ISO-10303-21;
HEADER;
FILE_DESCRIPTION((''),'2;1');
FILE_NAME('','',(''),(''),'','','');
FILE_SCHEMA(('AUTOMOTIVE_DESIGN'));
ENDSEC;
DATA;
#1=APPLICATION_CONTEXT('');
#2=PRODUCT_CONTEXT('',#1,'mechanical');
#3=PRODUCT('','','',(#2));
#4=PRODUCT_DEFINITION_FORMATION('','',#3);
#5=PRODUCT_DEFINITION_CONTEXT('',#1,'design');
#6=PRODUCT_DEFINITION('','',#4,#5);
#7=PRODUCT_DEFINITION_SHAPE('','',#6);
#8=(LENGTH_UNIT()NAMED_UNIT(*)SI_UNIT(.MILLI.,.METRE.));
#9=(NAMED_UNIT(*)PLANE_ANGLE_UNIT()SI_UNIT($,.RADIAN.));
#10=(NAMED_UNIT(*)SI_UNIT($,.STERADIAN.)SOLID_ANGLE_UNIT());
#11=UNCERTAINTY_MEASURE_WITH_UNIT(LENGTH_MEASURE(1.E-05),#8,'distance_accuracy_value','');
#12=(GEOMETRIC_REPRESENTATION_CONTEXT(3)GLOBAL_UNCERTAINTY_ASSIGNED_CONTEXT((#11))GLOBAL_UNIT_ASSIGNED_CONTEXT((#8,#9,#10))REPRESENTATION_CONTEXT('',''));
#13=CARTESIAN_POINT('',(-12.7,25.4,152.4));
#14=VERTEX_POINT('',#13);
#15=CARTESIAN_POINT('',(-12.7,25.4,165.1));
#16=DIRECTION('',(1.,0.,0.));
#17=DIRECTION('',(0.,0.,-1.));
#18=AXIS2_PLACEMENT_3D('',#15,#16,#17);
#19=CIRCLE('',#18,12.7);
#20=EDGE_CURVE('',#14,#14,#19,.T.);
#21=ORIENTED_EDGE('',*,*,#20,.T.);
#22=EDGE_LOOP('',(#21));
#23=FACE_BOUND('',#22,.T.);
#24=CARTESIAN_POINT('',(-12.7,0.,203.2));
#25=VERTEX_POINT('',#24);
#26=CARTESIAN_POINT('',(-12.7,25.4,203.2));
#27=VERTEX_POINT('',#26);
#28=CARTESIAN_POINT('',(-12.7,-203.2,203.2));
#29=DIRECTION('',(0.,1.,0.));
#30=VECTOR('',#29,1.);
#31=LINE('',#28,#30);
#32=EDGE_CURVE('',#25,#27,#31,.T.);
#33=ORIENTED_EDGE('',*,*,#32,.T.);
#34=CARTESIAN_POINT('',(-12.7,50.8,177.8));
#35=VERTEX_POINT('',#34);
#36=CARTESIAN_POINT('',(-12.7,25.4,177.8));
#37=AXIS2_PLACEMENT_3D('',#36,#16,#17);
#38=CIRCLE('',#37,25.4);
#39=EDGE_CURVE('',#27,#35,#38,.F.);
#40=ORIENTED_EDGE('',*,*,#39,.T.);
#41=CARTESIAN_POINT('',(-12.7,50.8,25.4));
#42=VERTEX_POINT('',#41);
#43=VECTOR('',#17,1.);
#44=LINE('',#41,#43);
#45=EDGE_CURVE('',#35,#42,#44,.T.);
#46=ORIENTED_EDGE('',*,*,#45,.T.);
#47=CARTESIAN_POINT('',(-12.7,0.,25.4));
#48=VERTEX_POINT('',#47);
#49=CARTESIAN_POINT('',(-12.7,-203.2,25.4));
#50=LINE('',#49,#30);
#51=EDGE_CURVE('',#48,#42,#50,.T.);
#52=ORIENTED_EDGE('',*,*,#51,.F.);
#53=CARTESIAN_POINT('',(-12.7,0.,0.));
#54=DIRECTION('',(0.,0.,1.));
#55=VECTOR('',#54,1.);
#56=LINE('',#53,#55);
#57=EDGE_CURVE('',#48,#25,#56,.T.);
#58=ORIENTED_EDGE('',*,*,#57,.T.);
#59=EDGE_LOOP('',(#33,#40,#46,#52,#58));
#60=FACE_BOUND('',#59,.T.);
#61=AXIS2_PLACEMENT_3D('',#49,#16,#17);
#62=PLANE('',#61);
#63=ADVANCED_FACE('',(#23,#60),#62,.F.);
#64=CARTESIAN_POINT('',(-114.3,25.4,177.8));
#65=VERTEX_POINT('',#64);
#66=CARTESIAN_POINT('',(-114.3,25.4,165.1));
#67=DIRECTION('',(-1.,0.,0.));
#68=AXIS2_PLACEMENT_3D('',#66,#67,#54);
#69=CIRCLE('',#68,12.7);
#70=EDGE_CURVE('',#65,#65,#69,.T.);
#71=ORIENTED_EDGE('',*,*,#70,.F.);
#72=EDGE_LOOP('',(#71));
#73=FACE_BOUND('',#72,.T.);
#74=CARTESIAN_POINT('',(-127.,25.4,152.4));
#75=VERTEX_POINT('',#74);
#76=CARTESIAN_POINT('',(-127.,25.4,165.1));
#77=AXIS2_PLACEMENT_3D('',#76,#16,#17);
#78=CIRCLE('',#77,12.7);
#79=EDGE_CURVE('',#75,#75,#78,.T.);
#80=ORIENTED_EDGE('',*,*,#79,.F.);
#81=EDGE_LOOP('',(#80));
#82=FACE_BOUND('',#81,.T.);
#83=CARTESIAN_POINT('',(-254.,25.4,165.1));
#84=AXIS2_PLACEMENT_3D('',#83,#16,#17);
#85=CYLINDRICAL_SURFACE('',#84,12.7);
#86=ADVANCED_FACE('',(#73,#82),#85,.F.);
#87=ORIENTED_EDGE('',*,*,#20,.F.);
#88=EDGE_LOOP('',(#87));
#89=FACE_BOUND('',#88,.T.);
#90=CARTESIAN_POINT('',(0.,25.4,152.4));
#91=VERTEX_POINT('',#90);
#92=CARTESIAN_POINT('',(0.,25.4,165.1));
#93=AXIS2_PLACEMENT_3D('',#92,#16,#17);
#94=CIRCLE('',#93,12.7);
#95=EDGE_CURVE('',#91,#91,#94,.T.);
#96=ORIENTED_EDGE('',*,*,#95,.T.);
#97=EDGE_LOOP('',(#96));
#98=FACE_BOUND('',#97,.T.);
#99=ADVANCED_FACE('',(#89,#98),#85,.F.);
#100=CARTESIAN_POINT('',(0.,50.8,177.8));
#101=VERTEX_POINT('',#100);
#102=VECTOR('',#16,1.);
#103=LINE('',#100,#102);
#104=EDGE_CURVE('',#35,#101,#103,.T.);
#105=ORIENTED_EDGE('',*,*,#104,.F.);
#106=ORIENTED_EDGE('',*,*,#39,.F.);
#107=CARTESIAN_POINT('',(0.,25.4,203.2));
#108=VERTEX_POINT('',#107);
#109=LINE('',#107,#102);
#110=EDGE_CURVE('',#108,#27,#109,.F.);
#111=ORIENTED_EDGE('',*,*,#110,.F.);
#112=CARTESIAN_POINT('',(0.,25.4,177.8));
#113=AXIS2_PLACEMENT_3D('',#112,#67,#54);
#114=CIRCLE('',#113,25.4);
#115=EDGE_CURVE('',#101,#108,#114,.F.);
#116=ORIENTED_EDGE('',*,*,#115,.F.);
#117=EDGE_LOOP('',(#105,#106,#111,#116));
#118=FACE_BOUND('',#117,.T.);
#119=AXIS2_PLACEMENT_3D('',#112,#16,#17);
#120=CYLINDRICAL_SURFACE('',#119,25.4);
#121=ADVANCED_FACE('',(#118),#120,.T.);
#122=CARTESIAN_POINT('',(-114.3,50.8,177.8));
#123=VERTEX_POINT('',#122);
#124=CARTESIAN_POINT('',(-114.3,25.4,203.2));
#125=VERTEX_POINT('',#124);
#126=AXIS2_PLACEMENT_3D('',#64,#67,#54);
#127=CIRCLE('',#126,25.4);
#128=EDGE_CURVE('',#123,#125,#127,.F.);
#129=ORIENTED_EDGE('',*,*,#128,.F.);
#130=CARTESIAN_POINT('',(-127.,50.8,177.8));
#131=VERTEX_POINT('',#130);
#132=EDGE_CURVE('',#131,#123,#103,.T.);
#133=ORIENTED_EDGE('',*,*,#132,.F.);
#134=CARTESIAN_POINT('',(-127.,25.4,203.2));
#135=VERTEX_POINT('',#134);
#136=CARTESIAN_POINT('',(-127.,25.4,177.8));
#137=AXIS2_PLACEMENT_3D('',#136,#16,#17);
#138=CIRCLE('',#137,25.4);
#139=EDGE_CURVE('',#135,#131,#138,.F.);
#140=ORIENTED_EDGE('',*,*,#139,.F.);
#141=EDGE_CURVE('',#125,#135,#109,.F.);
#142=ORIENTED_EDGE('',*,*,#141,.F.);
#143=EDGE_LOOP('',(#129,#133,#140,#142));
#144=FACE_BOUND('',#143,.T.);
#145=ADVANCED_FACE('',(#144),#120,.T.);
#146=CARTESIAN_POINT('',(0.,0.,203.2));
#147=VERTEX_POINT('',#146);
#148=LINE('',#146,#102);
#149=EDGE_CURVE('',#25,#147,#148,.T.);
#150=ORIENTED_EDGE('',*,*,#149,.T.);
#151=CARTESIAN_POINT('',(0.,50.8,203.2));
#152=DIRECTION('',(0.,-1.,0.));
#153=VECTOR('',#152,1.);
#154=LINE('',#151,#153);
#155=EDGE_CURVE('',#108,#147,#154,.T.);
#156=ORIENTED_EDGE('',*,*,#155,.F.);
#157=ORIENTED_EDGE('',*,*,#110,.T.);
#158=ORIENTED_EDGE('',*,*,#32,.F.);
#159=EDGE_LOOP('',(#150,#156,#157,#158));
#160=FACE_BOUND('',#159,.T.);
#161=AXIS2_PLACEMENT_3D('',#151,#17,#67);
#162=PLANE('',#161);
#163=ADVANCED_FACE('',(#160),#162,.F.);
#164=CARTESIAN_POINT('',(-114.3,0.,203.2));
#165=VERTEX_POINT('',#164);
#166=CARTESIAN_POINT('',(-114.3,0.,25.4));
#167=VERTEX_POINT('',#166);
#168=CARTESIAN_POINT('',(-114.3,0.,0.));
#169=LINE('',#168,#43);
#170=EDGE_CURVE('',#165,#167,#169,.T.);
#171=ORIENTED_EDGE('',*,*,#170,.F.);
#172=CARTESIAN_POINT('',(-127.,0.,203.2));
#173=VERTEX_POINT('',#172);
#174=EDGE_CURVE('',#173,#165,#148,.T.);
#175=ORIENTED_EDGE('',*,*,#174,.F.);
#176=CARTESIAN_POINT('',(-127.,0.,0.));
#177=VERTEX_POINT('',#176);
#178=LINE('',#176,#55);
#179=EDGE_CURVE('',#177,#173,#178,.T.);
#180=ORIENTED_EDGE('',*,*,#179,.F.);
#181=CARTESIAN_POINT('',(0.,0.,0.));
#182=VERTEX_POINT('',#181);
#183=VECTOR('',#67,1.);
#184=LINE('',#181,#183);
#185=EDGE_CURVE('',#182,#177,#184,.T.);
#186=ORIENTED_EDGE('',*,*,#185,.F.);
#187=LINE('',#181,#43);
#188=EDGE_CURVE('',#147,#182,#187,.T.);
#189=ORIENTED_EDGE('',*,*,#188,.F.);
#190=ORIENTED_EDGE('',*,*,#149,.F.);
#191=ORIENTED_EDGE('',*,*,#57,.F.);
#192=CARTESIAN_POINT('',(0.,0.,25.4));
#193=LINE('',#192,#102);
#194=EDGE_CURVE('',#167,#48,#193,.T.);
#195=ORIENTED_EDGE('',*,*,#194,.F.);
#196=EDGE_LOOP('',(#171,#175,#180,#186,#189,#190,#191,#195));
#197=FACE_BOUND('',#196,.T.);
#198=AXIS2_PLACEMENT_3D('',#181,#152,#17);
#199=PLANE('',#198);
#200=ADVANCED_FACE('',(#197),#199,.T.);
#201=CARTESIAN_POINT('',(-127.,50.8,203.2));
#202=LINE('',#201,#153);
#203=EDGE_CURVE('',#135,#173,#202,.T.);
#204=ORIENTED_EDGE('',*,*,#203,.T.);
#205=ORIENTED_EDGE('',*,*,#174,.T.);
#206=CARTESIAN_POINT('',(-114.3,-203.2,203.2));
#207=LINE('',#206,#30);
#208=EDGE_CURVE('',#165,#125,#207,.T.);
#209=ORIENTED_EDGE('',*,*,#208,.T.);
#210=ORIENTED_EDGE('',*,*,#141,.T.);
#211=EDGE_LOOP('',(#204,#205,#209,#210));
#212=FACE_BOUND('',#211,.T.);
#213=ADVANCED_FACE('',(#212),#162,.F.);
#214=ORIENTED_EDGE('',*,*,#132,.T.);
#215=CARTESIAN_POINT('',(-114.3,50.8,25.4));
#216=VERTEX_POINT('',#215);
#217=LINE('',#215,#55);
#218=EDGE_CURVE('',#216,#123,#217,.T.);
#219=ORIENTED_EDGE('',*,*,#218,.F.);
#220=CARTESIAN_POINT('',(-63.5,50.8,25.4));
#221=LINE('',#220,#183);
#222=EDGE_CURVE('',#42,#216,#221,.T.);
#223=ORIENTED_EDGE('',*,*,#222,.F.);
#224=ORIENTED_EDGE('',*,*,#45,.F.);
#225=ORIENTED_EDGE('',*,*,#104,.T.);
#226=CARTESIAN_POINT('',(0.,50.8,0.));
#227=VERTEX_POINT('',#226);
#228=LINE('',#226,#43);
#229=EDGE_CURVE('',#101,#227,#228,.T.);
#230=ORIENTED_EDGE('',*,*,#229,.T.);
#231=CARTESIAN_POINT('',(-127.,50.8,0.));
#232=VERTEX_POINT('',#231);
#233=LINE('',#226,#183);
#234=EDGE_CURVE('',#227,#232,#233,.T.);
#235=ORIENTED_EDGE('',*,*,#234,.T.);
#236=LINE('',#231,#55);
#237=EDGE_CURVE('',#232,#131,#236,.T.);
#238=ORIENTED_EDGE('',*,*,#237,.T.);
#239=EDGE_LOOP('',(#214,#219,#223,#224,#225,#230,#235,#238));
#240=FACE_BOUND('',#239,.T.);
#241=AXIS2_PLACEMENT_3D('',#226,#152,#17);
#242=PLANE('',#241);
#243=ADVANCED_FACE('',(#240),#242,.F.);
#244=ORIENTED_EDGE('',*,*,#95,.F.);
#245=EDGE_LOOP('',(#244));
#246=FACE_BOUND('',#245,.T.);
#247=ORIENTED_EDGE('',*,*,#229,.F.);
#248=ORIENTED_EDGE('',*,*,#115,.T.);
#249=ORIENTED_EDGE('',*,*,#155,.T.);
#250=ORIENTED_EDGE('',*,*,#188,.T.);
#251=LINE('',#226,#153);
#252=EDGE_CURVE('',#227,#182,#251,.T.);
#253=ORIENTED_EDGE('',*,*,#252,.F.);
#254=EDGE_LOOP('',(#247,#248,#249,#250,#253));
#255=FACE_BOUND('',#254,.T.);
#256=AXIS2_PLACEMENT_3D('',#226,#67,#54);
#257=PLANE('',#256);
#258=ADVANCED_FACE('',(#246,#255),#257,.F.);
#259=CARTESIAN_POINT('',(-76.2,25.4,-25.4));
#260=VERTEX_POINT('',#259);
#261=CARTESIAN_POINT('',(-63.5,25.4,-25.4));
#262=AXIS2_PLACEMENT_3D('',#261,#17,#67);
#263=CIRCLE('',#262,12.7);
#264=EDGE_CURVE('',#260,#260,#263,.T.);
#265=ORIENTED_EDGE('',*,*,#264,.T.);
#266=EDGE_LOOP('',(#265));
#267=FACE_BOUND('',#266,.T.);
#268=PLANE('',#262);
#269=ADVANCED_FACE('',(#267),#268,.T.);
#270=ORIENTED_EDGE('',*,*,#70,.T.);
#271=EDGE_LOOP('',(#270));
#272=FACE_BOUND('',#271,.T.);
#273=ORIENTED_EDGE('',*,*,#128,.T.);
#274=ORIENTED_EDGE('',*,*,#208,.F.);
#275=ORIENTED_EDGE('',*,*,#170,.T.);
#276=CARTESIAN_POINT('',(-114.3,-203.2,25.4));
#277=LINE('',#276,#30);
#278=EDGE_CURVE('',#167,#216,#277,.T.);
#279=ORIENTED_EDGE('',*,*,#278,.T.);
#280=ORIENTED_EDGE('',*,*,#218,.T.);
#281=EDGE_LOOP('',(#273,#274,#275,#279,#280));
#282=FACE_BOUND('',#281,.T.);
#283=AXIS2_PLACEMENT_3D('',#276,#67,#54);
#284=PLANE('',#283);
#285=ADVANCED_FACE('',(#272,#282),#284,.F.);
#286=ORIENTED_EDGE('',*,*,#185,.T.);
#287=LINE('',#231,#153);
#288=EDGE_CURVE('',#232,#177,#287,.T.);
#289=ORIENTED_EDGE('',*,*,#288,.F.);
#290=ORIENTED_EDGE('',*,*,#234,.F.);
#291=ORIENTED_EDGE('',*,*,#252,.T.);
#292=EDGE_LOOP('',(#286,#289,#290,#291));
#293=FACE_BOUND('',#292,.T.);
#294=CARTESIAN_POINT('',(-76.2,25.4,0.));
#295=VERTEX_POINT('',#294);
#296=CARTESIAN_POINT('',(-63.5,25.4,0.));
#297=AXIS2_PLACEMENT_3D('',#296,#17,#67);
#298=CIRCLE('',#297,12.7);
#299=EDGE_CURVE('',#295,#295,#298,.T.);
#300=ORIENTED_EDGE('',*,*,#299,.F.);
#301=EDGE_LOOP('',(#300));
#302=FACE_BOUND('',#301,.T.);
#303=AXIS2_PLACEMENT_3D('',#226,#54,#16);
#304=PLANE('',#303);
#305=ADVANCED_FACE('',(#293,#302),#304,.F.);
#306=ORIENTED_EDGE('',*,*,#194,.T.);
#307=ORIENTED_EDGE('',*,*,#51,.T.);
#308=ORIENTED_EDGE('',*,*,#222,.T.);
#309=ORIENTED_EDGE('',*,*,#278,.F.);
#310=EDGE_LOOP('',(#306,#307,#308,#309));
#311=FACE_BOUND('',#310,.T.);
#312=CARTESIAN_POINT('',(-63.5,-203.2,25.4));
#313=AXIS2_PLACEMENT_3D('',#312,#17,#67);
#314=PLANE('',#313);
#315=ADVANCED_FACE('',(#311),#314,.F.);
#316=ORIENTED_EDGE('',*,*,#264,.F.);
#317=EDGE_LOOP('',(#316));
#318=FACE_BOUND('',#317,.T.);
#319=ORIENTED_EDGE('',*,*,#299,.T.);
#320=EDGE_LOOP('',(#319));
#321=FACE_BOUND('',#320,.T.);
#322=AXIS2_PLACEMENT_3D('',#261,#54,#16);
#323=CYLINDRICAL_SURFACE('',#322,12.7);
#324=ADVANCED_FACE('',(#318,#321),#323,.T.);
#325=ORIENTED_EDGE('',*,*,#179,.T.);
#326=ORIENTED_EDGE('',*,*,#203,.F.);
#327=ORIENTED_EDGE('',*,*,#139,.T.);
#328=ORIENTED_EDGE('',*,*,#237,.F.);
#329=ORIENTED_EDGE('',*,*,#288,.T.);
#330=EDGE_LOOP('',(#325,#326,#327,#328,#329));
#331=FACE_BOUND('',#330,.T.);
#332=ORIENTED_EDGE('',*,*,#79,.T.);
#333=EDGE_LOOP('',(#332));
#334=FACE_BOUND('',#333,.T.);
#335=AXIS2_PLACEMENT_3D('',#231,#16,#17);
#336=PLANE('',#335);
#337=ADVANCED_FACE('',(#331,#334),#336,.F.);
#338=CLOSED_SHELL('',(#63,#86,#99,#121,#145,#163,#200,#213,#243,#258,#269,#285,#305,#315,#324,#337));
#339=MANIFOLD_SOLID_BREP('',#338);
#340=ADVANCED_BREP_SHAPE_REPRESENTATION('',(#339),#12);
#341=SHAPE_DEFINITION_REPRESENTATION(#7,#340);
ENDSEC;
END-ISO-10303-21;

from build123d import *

# Parameters (mm, degrees)
SKETCH1_W           = 127
SKETCH1_H           = 203.2
BOSS_EXTRUDE1_DEPTH = 50.8
CUT_EXTRUDE1_DEPTH  = 254
SKETCH4_R           = 12.7
CUT_EXTRUDE2_DEPTH  = 254
SKETCH5_R           = 12.7
BOSS_EXTRUDE2_DEPTH = 25.4
FILLET1_R           = 25.4
FILLET2_R           = 25.4


with BuildPart() as part:
    # Sketch1 → Boss-Extrude1 (new body)
    with BuildSketch(Plane(origin=(0, 0, 0), x_dir=(1, 0, 0), z_dir=(0, 1, 0))):
        with Locations((-63.5, -101.6)):
            Rectangle(SKETCH1_W, SKETCH1_H)
    extrude(amount=BOSS_EXTRUDE1_DEPTH)

    # Sketch3 → Cut-Extrude1 (cut)
    with BuildSketch(Plane(origin=(0, 50.8, 0), x_dir=(1, 0, 0), z_dir=(0, 1, 0))):
        Polygon((-63.5, -25.4), (-12.7, -25.4), (-12.7, -203.2), (-114.3, -203.2), (-114.3, -25.4), align=None)
    extrude(amount=-CUT_EXTRUDE1_DEPTH, mode=Mode.SUBTRACT)

    # Sketch4 → Cut-Extrude2 (cut)
    with BuildSketch(Plane(origin=(0, 0, 0), x_dir=(0, 0, -1), z_dir=(1, 0, 0))):
        with Locations((-165.1, 25.4)):
            Circle(SKETCH4_R)
    extrude(amount=-CUT_EXTRUDE2_DEPTH, mode=Mode.SUBTRACT)

    # Sketch5 → Boss-Extrude2 (add)
    with BuildSketch(Plane(origin=(0, 0, 0), x_dir=(-1, 0, 0), z_dir=(0, 0, -1))):
        with Locations((63.5, 25.4)):
            Circle(SKETCH5_R)
    extrude(amount=BOSS_EXTRUDE2_DEPTH)

    # Fillet1
    fillet1_edges = [part.edges().sort_by_distance(p)[0] for p in [
        (-120.65, 50.8, 203.2),
    ]]
    fillet(fillet1_edges, radius=FILLET1_R)

    # Fillet2
    fillet2_edges = [part.edges().sort_by_distance(p)[0] for p in [
        (-6.35, 50.8, 203.2),
    ]]
    fillet(fillet2_edges, radius=FILLET2_R)


solid = part.part
